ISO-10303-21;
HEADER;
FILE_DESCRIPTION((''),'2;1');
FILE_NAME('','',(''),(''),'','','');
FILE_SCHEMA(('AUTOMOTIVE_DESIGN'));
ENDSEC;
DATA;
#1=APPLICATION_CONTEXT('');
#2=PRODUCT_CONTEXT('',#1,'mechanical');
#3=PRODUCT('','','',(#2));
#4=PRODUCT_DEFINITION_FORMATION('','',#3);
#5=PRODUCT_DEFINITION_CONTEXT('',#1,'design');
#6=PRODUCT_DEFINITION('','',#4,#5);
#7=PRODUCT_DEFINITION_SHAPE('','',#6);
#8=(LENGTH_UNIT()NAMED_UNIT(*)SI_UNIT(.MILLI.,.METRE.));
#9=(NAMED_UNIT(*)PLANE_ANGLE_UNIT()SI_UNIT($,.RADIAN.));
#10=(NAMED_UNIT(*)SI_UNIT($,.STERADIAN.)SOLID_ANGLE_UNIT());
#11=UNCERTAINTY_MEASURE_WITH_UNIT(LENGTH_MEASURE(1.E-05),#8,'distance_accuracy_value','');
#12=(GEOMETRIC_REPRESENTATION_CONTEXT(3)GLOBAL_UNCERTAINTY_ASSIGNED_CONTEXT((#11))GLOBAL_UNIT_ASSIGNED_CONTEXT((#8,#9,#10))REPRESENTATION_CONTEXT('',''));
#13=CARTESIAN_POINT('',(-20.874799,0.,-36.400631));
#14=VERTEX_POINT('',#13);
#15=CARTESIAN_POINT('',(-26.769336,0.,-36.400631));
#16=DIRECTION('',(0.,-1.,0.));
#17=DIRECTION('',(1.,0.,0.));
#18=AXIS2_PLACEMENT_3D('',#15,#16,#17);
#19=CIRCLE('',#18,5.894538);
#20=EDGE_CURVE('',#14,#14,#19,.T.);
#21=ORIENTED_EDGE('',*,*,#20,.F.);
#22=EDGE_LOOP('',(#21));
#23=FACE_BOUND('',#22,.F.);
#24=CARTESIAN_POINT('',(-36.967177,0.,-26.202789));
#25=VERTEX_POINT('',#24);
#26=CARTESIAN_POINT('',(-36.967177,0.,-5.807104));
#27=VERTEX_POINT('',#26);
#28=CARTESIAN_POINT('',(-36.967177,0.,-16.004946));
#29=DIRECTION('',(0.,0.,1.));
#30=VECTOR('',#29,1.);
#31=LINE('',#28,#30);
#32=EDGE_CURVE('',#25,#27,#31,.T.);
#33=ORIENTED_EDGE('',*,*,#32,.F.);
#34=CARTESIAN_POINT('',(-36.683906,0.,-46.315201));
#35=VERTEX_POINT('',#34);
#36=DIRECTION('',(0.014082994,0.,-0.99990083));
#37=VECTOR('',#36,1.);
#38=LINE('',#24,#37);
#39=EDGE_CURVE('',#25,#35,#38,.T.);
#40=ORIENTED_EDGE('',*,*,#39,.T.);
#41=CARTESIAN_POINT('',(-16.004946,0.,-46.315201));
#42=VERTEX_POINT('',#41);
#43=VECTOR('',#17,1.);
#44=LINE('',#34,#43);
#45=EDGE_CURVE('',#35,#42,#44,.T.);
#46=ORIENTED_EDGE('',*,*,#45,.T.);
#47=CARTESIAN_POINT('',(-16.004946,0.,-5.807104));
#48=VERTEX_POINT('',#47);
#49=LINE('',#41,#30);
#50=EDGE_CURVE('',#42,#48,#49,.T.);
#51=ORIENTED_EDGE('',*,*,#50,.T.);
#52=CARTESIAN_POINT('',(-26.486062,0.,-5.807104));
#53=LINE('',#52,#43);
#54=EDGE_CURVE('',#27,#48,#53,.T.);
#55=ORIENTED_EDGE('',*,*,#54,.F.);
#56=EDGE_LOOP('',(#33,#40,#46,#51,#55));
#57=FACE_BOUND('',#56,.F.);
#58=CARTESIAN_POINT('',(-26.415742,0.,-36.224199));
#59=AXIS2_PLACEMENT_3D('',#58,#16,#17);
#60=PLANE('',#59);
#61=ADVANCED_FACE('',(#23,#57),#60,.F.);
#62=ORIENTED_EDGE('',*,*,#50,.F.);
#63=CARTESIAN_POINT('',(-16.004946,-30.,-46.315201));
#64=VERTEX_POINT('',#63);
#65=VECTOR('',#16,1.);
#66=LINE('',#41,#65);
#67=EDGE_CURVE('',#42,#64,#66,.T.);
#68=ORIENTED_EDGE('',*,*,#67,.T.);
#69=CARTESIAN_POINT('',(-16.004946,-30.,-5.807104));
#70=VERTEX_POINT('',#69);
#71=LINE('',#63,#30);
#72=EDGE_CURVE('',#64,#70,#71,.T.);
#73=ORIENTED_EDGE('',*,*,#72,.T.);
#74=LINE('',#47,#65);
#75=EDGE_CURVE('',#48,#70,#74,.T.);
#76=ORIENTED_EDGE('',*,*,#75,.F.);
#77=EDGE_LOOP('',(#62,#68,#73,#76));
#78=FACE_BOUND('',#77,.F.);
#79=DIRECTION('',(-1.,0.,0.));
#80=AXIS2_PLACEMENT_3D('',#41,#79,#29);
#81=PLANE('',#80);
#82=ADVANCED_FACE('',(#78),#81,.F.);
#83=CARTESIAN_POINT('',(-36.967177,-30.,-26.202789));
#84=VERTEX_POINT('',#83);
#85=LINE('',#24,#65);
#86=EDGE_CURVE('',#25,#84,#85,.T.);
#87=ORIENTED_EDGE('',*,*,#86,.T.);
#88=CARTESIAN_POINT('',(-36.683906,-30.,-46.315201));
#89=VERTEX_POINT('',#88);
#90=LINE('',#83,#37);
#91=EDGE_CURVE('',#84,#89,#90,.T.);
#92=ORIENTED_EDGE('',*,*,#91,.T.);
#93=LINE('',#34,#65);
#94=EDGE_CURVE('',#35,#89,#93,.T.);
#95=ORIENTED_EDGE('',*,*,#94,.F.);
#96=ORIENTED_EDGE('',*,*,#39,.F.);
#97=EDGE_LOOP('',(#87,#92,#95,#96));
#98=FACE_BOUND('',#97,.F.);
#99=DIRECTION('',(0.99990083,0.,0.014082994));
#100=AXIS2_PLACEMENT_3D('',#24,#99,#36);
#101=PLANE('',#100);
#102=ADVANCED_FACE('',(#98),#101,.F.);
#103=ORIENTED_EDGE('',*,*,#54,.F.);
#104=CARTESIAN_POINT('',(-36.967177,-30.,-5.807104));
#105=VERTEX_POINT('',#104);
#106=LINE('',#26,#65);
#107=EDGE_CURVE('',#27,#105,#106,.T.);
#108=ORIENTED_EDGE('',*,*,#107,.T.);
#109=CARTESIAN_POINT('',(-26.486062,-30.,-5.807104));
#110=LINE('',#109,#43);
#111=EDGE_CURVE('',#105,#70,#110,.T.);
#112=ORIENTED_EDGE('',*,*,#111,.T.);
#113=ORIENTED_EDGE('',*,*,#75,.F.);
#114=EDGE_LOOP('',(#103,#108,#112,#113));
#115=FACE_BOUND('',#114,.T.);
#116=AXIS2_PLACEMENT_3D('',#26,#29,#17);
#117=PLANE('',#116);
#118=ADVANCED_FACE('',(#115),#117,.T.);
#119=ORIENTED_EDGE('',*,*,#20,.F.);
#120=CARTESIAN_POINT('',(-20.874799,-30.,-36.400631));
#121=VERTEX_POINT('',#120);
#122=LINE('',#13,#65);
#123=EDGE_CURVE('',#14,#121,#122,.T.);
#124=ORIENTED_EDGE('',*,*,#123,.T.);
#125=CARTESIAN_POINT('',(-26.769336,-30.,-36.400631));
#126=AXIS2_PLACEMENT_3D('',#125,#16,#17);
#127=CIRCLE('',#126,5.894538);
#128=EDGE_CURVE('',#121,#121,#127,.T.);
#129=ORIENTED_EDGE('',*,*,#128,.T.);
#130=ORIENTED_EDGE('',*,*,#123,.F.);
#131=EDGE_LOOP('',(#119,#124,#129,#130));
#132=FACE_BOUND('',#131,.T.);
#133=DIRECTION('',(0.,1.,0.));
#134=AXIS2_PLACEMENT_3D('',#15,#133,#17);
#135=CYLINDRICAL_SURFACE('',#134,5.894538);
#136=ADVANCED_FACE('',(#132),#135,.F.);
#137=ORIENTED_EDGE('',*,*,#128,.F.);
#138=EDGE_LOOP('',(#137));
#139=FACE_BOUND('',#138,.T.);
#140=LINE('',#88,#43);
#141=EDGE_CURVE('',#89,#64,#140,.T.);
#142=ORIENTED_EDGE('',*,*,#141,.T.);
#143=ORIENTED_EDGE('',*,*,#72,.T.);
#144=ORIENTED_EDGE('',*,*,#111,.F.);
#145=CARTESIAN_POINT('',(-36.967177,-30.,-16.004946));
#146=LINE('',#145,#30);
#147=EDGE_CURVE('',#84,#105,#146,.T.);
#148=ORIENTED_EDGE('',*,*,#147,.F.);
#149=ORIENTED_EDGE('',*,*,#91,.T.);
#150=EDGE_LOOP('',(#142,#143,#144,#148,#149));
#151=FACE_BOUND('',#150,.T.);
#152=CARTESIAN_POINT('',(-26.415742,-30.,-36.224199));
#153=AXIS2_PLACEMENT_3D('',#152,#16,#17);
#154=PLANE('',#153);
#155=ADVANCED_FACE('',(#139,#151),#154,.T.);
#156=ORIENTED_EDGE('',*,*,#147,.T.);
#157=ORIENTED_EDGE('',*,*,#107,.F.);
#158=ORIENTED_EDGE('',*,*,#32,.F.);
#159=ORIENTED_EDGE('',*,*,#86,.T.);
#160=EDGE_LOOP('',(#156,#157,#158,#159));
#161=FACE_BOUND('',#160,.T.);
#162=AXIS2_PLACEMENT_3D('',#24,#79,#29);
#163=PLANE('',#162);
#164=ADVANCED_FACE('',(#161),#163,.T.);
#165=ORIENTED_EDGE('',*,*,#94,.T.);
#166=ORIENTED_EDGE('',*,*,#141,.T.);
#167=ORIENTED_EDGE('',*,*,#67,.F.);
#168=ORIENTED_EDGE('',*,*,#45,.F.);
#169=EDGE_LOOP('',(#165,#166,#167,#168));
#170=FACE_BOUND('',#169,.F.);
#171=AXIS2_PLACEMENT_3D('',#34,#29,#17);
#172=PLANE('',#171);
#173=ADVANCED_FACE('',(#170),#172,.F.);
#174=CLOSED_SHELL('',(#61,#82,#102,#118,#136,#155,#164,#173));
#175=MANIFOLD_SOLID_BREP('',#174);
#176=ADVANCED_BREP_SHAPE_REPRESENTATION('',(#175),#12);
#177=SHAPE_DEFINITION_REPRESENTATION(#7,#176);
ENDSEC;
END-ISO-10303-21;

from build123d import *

# Parameters (mm, degrees)
F0_R     = 5.8945377359
F0_W     = 20.9622308612
F0_H     = 20.3956845216
F1_DEPTH = 30


with BuildPart() as f1:
    # F0 (on Front) → F1 (new body)
    with BuildSketch(Plane.XZ):
        Polygon((-36.967176944, -26.2027885765), (-36.6839058697, -46.3152006269), (-16.0049460828, -46.3152006269), (-16.0049460828, -26.2027885765), align=None)
        with Locations((-26.769336313, -36.4006310701)):
            Circle(F0_R, mode=Mode.SUBTRACT)
        with Locations((-26.4860615134, -16.0049463157)):
            Rectangle(F0_W, F0_H)
    extrude(amount=F1_DEPTH)


solid = f1.part
